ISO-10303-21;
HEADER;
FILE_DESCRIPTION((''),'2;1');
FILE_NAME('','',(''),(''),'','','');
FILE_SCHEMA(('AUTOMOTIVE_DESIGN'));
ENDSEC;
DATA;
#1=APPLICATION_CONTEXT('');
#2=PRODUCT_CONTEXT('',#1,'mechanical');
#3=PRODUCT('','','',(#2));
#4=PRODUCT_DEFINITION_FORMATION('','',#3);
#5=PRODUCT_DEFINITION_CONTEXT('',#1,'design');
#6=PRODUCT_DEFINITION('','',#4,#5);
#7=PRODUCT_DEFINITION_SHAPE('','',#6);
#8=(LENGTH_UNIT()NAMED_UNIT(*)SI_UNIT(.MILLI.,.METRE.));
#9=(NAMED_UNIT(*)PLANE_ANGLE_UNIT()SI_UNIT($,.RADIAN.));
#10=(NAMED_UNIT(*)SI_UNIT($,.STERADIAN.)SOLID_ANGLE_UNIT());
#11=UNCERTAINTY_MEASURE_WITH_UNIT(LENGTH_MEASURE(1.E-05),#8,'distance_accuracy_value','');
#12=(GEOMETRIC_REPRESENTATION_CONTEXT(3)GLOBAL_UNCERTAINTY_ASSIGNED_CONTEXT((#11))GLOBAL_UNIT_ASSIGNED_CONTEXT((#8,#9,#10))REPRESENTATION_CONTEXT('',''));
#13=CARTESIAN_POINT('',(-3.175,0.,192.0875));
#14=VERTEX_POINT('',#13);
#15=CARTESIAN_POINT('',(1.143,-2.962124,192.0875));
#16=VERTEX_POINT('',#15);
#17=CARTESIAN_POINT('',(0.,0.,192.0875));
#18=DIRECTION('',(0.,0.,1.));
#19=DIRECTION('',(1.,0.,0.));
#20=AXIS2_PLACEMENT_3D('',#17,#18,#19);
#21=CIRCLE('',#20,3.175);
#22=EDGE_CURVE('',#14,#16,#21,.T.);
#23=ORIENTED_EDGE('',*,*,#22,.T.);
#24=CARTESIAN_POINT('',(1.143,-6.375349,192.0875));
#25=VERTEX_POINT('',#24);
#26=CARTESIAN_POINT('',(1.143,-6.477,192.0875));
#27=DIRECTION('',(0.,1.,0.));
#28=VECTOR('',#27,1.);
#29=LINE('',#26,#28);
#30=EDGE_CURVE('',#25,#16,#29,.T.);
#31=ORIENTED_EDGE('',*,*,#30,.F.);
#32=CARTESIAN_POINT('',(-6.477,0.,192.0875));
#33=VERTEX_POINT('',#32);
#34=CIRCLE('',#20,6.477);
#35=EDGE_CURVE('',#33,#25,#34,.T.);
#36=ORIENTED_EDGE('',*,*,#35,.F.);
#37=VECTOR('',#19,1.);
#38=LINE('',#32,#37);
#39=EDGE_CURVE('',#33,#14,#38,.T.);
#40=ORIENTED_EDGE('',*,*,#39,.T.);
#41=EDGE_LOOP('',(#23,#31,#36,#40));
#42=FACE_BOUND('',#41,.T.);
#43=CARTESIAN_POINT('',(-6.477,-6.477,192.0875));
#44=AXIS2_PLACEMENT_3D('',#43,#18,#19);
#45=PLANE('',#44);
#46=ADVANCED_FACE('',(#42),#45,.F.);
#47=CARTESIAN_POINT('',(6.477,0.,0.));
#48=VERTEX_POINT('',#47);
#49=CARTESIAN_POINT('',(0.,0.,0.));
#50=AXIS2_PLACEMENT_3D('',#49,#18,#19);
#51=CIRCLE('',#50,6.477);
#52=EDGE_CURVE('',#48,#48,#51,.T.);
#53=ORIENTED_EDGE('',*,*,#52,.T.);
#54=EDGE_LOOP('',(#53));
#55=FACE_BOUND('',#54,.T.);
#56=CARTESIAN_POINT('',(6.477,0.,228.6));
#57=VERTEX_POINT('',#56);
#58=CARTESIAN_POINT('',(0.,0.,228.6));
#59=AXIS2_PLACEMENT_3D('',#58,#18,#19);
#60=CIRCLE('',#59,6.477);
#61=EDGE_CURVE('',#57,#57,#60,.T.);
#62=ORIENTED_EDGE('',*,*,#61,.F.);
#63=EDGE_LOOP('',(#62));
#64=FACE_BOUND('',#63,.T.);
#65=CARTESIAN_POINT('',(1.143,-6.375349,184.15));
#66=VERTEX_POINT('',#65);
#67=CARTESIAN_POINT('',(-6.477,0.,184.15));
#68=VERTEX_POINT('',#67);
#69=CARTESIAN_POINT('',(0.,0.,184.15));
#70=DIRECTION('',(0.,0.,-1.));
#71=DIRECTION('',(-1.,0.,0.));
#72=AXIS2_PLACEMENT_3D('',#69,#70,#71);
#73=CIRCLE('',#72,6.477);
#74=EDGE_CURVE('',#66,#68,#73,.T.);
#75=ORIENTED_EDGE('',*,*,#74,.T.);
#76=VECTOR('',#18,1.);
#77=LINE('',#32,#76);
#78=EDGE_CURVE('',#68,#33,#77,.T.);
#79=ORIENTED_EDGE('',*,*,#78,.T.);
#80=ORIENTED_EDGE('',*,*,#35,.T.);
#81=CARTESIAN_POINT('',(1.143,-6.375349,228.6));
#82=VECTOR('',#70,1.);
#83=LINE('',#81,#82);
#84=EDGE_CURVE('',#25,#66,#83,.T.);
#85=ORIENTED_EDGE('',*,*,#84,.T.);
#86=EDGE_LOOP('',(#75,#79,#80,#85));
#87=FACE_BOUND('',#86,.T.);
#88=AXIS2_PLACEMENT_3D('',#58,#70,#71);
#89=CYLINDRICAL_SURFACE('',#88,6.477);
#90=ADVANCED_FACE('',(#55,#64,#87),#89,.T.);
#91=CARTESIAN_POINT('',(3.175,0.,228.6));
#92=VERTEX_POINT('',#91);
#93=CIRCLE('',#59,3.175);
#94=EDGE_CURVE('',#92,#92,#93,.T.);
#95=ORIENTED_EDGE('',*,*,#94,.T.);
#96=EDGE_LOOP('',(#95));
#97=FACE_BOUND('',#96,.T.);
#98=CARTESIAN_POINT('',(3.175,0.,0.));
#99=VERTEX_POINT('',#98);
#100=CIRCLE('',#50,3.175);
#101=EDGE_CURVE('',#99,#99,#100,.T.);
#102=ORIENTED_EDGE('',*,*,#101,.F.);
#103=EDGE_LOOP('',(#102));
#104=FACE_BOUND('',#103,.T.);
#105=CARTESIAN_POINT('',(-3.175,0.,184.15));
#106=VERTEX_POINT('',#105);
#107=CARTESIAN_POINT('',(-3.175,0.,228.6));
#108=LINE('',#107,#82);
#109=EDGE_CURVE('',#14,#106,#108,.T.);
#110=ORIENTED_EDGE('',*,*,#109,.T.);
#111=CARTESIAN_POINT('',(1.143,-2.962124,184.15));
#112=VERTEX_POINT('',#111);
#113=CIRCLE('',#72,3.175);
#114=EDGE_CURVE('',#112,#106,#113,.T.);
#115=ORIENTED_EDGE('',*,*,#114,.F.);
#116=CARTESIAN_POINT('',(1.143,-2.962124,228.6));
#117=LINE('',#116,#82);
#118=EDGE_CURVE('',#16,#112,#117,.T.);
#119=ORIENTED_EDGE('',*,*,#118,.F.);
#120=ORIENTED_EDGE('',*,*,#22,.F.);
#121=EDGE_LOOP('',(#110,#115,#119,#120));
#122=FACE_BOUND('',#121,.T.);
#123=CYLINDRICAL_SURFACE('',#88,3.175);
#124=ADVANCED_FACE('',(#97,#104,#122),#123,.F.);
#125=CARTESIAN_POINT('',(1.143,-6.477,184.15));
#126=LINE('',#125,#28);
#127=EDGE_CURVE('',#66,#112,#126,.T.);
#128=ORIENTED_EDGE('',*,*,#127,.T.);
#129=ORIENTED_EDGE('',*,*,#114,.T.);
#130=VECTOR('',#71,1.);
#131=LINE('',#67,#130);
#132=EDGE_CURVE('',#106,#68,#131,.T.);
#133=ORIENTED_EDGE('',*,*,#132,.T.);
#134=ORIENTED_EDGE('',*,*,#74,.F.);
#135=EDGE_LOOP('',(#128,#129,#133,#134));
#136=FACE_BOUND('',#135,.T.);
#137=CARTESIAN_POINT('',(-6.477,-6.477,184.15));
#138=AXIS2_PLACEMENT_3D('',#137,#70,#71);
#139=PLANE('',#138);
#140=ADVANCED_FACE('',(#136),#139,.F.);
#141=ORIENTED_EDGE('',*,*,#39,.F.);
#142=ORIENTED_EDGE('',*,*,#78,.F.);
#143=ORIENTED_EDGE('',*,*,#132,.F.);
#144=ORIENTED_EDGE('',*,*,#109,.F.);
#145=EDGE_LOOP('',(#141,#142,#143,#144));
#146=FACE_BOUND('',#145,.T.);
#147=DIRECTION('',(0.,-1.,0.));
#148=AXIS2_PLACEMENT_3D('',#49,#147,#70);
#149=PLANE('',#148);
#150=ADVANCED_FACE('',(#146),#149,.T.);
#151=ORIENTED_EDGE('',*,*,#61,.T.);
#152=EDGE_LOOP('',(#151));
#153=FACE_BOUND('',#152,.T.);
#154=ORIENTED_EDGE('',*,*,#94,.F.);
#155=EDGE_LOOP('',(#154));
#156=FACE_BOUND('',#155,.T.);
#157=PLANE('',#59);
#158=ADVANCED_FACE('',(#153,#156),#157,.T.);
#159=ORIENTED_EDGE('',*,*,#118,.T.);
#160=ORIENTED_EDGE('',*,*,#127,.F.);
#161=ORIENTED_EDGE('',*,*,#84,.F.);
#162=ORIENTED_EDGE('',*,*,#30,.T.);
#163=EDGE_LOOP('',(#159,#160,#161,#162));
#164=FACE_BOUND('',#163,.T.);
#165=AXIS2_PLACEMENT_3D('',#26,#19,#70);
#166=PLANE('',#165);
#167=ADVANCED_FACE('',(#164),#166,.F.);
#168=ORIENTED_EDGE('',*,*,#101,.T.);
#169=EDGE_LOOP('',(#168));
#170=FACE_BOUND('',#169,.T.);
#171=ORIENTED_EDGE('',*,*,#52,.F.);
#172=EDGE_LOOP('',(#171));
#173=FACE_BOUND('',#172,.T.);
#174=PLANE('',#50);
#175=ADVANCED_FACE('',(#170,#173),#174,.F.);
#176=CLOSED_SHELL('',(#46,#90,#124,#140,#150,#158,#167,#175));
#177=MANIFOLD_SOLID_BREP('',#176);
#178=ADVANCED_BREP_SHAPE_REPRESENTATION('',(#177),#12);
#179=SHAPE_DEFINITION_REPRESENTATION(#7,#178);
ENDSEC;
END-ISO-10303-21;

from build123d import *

# Parameters (mm, degrees)
SKETCH1_R           = 6.477
SKETCH1_R_2         = 3.175
BOSS_EXTRUDE1_DEPTH = 228.6
SKETCH2_W           = 7.62
SKETCH2_H           = 7.9375
CUT_EXTRUDE1_DEPTH  = 229.783441398


with BuildPart() as part:
    # Sketch1 → Boss-Extrude1 (new body)
    with BuildSketch(Plane.XY):
        Circle(SKETCH1_R)
        Circle(SKETCH1_R_2, mode=Mode.SUBTRACT)
    extrude(amount=BOSS_EXTRUDE1_DEPTH)

    # Sketch2 → Cut-Extrude1 (cut, through all)
    with BuildSketch(Plane(origin=(0, 0, 0), x_dir=(1, 0, 0), z_dir=(0, 1, 0))):
        with Locations((-2.667, -188.11875)):
            Rectangle(SKETCH2_W, SKETCH2_H)
    extrude(amount=-CUT_EXTRUDE1_DEPTH, mode=Mode.SUBTRACT)


solid = part.part
